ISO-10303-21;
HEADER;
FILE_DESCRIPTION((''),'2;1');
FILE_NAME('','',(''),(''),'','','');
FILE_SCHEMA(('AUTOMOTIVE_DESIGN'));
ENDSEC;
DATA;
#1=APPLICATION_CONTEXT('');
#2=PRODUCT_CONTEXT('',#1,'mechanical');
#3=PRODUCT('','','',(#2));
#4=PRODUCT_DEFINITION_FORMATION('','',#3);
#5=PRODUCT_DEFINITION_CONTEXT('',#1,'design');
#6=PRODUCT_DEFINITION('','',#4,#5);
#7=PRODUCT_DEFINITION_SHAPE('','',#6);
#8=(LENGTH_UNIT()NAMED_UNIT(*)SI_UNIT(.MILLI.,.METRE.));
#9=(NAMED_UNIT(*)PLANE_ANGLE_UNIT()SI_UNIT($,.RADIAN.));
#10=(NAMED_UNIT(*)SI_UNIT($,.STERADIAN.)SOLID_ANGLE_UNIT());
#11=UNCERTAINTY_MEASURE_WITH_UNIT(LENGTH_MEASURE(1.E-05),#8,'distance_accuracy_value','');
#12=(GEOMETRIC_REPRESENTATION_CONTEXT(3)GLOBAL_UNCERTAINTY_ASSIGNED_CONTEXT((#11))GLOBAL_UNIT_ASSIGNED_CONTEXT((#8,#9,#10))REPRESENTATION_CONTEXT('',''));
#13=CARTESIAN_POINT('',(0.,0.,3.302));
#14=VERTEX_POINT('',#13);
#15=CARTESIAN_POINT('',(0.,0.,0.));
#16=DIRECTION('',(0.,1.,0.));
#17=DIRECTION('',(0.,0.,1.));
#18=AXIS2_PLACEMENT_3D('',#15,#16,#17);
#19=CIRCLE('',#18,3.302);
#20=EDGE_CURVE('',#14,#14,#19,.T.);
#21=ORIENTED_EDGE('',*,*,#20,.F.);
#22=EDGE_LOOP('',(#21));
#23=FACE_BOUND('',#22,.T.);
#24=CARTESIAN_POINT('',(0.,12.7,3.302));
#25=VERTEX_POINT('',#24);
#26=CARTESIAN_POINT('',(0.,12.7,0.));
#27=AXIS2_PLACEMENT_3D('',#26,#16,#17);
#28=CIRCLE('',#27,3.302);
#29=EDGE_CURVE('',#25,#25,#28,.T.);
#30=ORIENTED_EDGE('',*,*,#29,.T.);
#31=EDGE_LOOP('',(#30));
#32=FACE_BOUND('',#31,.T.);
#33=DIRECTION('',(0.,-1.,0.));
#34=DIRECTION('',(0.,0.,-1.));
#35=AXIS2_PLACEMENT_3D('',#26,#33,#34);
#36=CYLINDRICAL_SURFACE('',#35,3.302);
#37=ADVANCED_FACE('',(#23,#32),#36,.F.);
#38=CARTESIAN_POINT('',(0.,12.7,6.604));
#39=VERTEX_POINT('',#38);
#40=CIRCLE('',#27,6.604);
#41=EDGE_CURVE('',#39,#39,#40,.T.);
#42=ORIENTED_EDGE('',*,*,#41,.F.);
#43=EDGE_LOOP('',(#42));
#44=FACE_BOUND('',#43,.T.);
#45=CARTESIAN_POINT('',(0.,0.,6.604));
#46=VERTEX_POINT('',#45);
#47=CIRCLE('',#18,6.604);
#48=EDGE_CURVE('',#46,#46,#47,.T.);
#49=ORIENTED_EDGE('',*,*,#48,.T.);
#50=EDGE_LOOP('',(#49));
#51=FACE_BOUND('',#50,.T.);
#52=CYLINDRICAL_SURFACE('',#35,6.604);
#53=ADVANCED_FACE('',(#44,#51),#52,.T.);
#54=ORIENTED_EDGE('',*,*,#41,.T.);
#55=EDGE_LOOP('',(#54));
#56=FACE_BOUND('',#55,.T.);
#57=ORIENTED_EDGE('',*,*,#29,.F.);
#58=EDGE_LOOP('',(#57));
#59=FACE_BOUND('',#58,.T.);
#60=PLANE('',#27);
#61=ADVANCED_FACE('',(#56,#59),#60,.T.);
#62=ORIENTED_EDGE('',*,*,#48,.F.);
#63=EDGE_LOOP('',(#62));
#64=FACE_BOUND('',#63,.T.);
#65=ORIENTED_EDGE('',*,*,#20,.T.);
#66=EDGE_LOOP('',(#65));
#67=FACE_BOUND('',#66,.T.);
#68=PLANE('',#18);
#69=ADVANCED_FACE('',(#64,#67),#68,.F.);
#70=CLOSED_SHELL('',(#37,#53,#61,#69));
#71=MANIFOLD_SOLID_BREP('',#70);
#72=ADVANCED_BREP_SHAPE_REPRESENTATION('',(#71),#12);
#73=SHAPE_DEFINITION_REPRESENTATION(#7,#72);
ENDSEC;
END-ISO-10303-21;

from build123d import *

# Parameters (mm, degrees)
SKETCH1_R           = 6.604
SKETCH1_R_2         = 3.302
BOSS_EXTRUDE1_DEPTH = 12.7


with BuildPart() as part:
    # Sketch1 → Boss-Extrude1 (new body)
    with BuildSketch(Plane(origin=(0, 0, 0), x_dir=(1, 0, 0), z_dir=(0, 1, 0))):
        Circle(SKETCH1_R)
        Circle(SKETCH1_R_2, mode=Mode.SUBTRACT)
    extrude(amount=BOSS_EXTRUDE1_DEPTH)


solid = part.part
